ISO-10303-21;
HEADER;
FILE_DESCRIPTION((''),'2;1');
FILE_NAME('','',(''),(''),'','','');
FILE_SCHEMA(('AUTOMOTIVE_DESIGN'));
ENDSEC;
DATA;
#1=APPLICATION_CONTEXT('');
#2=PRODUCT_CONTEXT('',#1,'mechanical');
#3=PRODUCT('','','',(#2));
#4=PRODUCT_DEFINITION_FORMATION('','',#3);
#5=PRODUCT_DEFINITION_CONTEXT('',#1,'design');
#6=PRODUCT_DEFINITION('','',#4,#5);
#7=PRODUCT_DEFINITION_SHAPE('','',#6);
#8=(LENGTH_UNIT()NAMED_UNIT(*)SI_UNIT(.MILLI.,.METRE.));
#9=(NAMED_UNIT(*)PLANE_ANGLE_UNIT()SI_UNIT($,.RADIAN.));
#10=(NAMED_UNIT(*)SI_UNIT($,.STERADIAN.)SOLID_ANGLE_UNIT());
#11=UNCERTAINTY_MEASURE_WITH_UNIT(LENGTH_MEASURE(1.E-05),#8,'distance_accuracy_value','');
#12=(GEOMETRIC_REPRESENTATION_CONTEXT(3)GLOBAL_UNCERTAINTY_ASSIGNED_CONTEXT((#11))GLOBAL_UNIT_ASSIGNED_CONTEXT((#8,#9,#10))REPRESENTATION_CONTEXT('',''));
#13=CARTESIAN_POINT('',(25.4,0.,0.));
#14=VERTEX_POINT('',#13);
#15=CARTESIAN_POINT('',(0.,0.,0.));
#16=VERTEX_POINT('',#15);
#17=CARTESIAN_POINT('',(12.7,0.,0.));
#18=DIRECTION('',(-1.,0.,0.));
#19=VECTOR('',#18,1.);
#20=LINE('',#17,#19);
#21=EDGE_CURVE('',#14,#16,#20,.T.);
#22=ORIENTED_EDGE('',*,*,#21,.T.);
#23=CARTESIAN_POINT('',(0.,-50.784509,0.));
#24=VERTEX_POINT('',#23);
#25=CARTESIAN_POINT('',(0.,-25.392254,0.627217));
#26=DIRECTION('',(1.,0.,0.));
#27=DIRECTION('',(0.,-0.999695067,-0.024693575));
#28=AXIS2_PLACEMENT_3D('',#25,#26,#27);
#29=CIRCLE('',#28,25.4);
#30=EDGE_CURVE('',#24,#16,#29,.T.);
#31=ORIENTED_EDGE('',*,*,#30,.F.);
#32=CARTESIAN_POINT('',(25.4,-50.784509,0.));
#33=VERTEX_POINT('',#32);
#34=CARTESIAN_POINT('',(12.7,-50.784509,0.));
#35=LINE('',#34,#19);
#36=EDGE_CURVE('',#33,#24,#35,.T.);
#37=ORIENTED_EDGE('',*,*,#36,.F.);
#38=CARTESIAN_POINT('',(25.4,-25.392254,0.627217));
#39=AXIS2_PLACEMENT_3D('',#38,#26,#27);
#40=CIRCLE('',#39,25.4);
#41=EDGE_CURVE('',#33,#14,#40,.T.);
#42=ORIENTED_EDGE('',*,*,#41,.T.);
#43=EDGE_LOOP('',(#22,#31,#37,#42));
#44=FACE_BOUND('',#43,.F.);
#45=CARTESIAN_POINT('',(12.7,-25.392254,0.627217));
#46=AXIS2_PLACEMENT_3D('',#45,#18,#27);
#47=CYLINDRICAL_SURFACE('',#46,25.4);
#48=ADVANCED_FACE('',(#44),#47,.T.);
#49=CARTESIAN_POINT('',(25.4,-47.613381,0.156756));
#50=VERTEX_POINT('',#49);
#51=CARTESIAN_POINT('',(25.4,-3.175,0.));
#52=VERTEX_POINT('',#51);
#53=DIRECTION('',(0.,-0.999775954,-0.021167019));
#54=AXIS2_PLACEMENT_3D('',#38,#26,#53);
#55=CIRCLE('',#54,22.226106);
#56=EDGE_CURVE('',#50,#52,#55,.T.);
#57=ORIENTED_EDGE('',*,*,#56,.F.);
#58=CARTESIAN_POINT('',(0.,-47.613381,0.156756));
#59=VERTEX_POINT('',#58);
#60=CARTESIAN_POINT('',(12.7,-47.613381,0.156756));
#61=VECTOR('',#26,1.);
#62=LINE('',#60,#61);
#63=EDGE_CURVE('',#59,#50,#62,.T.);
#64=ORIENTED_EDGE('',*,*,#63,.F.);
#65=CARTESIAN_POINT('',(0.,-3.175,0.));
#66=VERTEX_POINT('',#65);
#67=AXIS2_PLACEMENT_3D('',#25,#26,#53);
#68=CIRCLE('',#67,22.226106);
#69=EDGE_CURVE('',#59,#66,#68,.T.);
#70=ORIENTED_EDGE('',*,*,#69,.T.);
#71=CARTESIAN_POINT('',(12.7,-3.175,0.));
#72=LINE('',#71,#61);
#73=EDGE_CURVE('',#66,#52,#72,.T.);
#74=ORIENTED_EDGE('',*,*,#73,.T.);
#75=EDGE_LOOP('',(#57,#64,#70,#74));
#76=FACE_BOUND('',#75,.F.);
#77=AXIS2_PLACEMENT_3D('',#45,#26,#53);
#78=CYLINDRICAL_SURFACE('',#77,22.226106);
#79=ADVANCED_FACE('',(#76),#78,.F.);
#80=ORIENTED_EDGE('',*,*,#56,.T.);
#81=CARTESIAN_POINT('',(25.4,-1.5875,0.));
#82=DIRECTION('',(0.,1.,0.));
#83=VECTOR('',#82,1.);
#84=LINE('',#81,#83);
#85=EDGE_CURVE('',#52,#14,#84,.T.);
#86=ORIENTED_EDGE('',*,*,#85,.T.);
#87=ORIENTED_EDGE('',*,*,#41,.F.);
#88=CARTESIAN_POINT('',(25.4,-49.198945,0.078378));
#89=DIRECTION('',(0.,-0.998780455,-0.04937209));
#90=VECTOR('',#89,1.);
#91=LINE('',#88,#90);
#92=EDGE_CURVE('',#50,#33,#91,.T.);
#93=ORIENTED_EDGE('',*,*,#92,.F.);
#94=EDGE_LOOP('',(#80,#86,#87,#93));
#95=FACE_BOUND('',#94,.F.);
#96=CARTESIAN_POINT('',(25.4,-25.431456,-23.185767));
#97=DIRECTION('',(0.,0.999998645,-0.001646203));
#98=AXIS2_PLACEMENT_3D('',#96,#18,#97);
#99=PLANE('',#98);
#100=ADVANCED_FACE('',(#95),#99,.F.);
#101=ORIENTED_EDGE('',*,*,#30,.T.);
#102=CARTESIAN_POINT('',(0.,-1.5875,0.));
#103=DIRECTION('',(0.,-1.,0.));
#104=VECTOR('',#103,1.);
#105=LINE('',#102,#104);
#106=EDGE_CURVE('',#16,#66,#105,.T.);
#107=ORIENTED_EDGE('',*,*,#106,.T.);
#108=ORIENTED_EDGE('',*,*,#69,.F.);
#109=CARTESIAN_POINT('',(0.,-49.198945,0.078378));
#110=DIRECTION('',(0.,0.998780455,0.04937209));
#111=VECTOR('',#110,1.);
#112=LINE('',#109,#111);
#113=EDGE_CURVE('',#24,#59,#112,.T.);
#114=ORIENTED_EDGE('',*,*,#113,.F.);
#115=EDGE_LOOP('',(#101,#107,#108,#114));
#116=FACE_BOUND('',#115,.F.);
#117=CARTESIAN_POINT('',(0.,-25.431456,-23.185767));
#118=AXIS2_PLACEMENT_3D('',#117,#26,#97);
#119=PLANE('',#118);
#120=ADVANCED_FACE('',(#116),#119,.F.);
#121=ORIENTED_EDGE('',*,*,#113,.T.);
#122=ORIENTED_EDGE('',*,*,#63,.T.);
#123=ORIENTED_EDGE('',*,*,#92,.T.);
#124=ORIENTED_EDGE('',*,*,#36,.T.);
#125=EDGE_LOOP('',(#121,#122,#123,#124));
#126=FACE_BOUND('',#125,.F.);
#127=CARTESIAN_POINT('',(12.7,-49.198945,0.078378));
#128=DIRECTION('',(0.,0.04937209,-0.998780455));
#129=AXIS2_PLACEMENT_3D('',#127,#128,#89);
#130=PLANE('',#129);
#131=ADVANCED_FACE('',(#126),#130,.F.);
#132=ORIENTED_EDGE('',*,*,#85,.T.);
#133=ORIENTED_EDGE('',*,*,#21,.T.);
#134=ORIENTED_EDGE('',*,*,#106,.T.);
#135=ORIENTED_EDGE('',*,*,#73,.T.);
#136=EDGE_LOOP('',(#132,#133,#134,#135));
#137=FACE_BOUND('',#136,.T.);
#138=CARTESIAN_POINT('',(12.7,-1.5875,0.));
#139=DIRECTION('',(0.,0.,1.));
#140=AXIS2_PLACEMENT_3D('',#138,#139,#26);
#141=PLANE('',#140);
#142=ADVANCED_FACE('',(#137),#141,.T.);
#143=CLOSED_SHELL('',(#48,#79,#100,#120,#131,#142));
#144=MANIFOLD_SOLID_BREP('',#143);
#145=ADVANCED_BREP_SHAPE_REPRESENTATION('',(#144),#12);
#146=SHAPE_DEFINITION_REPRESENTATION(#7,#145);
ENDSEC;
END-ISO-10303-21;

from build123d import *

# Parameters (mm, degrees)
F1_W = 25.4
F1_H = 3.175


with BuildPart() as f2:
    # F2: sweep along a path in F0
    with BuildLine(Plane.YZ) as f2_path:
        ThreePointArc((-50.784509, 0), (-25.392255, -24.772783), (0, 0))
    # F1 (on Top) → F2 (sweep)
    with BuildSketch(Plane.XY):
        with Locations((12.7, -1.5875)):
            Rectangle(F1_W, F1_H)
    sweep(path=f2_path.line)


solid = f2.part
